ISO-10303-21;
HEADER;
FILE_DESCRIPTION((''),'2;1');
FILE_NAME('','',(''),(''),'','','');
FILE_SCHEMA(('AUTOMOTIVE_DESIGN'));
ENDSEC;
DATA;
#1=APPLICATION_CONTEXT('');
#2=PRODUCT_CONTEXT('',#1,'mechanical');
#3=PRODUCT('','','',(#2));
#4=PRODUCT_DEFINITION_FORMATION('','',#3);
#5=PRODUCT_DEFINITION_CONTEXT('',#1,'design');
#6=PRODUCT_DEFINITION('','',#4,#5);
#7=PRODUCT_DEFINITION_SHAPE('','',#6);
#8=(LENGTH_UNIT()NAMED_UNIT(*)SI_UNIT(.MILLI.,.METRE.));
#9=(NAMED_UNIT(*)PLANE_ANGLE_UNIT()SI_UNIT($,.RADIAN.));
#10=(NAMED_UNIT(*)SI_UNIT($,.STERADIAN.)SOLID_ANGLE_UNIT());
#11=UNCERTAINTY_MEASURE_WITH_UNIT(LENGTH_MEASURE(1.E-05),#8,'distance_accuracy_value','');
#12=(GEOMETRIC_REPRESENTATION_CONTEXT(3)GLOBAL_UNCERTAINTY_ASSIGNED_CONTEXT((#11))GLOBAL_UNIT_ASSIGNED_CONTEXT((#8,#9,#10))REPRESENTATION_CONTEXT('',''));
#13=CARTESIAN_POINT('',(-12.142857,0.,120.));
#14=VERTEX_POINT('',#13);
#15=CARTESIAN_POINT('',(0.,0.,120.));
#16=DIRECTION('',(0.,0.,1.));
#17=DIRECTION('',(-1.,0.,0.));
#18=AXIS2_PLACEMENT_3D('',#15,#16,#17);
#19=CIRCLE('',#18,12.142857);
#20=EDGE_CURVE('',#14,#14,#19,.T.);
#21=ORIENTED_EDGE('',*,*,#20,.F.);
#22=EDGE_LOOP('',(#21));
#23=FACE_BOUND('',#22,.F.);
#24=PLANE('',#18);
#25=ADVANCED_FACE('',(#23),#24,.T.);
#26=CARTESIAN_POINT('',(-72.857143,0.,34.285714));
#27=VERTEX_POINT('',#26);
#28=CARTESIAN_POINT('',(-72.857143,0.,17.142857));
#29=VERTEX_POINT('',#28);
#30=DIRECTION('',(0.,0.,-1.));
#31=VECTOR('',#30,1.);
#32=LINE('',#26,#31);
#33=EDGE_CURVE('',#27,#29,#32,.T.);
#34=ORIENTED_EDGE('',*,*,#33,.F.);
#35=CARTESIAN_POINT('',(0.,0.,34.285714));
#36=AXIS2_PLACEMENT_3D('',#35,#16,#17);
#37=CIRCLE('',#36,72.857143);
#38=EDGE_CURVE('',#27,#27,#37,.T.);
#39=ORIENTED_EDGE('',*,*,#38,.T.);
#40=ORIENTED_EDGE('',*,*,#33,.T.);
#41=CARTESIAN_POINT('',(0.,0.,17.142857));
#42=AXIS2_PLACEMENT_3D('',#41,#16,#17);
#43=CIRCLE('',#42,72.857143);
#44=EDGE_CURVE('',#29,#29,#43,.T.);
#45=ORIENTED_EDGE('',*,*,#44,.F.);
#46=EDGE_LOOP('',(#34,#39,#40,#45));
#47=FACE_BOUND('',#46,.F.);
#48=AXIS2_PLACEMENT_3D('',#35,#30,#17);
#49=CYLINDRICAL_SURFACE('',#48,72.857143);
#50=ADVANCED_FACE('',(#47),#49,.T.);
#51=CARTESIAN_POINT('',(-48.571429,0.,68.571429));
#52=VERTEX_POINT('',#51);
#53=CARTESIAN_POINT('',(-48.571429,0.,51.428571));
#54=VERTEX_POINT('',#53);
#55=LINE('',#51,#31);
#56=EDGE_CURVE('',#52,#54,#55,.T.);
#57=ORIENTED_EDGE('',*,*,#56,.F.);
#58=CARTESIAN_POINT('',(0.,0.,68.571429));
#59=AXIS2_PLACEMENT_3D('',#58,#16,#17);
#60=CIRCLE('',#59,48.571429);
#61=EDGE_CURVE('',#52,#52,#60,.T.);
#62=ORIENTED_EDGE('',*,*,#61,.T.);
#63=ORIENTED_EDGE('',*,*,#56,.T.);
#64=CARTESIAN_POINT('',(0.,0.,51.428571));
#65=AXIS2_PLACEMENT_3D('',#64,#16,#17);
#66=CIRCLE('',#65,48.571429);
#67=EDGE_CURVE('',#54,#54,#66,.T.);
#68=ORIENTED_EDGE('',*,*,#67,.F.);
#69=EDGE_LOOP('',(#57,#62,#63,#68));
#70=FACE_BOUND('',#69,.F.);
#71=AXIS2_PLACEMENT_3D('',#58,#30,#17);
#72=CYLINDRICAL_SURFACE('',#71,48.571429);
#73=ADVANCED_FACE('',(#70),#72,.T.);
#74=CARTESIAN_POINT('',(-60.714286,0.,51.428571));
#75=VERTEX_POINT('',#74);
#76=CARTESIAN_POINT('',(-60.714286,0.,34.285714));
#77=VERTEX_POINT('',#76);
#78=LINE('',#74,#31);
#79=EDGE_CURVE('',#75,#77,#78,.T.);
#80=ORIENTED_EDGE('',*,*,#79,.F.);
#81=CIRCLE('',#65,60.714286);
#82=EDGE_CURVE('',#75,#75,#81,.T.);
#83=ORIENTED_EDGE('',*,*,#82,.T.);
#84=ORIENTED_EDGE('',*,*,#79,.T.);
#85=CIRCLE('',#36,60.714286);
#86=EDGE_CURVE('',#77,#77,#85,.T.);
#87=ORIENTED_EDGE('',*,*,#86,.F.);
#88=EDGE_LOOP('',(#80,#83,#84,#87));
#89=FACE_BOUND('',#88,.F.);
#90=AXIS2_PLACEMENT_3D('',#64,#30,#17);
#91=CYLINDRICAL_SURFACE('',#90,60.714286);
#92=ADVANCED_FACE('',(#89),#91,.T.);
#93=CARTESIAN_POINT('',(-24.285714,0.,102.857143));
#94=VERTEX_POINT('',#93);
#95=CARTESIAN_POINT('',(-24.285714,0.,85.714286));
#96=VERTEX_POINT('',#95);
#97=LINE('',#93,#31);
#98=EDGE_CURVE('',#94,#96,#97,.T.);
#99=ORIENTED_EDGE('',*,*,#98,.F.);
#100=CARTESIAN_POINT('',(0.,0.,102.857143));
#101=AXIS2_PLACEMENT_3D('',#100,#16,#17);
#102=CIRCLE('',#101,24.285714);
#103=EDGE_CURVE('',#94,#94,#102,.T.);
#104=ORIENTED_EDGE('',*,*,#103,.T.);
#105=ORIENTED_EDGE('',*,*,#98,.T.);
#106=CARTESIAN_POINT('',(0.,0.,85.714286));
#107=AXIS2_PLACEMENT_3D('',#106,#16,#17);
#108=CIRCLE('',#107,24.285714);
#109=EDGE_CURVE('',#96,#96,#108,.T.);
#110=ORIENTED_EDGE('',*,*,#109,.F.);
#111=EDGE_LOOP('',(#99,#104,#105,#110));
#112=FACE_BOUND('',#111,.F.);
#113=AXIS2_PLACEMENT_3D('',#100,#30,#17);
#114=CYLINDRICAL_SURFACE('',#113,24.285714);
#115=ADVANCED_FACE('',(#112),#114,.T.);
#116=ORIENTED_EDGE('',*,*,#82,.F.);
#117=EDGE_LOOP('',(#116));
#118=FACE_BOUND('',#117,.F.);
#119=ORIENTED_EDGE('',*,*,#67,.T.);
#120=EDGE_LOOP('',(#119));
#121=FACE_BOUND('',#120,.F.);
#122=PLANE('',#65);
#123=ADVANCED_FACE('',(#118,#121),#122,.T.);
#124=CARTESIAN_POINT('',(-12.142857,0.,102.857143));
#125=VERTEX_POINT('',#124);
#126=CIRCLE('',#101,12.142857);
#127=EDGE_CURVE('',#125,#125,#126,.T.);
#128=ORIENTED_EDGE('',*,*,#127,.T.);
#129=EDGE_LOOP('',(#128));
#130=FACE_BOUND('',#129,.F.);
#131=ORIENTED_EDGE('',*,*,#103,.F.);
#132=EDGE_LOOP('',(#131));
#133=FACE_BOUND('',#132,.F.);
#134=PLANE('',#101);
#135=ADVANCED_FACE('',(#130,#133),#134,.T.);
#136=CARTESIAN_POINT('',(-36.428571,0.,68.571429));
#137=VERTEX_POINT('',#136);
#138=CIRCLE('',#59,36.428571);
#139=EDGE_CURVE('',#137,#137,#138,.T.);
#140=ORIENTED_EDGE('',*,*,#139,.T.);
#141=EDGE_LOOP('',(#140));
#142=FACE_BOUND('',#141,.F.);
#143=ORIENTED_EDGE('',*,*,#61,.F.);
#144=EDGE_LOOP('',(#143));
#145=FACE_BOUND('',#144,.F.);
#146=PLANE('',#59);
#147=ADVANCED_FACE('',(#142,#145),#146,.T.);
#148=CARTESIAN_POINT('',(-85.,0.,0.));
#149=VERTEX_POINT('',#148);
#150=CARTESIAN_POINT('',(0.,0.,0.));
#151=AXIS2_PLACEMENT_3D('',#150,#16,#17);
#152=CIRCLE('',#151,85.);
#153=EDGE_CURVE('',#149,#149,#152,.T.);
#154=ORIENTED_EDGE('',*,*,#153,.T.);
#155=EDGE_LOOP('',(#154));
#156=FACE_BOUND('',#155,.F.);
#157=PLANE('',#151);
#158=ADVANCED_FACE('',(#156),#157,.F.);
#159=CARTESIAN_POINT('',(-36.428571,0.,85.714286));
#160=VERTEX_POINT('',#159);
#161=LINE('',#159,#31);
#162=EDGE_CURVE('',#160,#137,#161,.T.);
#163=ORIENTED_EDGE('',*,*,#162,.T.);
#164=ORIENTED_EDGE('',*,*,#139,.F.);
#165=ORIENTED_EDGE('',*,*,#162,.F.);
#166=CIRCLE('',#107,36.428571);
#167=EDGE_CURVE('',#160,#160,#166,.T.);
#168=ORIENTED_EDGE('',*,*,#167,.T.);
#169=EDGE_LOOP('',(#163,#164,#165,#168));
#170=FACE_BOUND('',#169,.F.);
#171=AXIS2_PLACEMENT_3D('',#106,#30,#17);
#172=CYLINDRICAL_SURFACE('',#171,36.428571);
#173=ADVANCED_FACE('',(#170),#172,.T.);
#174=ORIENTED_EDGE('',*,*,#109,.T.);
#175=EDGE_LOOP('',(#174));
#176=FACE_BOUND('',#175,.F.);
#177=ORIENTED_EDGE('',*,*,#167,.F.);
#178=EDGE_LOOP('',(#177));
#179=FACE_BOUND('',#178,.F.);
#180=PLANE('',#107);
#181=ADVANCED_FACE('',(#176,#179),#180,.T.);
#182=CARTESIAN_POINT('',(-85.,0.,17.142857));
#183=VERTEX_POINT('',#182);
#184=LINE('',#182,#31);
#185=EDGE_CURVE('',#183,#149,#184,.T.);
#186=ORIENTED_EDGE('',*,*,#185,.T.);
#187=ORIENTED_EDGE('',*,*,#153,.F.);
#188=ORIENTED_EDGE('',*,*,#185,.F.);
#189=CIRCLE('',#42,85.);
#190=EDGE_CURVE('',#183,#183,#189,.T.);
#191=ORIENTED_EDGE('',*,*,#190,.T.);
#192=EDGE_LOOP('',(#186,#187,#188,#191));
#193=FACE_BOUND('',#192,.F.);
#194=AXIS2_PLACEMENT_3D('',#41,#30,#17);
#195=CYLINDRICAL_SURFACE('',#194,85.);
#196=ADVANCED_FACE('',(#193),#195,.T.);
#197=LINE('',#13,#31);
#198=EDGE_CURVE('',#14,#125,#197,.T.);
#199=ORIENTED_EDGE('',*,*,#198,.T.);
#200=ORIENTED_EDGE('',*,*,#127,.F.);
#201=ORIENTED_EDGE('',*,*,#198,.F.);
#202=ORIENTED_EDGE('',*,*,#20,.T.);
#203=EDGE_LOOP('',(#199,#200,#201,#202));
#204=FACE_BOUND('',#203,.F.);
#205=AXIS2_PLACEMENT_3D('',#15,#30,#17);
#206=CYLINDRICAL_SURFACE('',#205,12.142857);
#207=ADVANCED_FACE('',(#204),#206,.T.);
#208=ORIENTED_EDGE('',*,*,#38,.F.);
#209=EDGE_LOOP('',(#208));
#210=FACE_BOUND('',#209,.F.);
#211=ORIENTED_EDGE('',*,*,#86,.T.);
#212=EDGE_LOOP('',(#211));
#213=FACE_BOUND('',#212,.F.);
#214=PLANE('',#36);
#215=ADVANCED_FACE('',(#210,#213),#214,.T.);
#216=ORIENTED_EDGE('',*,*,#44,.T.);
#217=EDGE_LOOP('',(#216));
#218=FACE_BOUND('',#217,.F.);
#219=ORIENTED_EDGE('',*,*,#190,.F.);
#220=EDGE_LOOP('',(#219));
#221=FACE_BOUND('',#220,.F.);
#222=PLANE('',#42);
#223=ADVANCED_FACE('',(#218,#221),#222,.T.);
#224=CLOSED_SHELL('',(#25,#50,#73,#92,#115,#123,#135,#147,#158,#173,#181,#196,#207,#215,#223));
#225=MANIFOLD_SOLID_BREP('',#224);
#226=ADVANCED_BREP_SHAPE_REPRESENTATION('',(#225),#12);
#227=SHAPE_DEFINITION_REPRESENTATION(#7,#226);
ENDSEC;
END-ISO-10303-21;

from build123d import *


with BuildPart() as f1:
    # F0 (on Front) → F1 (revolve)
    with BuildSketch(Plane.XZ):
        Polygon((-85, 0), (0, 0), (0, 120), (-12.142857, 120), (-12.142857, 102.857143), (-24.285714, 102.857143), (-24.285714, 85.714286), (-36.428571, 85.714286), (-36.428571, 68.571429), (-48.571429, 68.571429), (-48.571429, 51.428571), (-60.714286, 51.428571), (-60.714286, 34.285714), (-72.857143, 34.285714), (-72.857143, 17.142857), (-85, 17.142857), align=None)
    revolve(axis=Axis((0, 0, 60), (0, 0, 1)))


solid = f1.part
